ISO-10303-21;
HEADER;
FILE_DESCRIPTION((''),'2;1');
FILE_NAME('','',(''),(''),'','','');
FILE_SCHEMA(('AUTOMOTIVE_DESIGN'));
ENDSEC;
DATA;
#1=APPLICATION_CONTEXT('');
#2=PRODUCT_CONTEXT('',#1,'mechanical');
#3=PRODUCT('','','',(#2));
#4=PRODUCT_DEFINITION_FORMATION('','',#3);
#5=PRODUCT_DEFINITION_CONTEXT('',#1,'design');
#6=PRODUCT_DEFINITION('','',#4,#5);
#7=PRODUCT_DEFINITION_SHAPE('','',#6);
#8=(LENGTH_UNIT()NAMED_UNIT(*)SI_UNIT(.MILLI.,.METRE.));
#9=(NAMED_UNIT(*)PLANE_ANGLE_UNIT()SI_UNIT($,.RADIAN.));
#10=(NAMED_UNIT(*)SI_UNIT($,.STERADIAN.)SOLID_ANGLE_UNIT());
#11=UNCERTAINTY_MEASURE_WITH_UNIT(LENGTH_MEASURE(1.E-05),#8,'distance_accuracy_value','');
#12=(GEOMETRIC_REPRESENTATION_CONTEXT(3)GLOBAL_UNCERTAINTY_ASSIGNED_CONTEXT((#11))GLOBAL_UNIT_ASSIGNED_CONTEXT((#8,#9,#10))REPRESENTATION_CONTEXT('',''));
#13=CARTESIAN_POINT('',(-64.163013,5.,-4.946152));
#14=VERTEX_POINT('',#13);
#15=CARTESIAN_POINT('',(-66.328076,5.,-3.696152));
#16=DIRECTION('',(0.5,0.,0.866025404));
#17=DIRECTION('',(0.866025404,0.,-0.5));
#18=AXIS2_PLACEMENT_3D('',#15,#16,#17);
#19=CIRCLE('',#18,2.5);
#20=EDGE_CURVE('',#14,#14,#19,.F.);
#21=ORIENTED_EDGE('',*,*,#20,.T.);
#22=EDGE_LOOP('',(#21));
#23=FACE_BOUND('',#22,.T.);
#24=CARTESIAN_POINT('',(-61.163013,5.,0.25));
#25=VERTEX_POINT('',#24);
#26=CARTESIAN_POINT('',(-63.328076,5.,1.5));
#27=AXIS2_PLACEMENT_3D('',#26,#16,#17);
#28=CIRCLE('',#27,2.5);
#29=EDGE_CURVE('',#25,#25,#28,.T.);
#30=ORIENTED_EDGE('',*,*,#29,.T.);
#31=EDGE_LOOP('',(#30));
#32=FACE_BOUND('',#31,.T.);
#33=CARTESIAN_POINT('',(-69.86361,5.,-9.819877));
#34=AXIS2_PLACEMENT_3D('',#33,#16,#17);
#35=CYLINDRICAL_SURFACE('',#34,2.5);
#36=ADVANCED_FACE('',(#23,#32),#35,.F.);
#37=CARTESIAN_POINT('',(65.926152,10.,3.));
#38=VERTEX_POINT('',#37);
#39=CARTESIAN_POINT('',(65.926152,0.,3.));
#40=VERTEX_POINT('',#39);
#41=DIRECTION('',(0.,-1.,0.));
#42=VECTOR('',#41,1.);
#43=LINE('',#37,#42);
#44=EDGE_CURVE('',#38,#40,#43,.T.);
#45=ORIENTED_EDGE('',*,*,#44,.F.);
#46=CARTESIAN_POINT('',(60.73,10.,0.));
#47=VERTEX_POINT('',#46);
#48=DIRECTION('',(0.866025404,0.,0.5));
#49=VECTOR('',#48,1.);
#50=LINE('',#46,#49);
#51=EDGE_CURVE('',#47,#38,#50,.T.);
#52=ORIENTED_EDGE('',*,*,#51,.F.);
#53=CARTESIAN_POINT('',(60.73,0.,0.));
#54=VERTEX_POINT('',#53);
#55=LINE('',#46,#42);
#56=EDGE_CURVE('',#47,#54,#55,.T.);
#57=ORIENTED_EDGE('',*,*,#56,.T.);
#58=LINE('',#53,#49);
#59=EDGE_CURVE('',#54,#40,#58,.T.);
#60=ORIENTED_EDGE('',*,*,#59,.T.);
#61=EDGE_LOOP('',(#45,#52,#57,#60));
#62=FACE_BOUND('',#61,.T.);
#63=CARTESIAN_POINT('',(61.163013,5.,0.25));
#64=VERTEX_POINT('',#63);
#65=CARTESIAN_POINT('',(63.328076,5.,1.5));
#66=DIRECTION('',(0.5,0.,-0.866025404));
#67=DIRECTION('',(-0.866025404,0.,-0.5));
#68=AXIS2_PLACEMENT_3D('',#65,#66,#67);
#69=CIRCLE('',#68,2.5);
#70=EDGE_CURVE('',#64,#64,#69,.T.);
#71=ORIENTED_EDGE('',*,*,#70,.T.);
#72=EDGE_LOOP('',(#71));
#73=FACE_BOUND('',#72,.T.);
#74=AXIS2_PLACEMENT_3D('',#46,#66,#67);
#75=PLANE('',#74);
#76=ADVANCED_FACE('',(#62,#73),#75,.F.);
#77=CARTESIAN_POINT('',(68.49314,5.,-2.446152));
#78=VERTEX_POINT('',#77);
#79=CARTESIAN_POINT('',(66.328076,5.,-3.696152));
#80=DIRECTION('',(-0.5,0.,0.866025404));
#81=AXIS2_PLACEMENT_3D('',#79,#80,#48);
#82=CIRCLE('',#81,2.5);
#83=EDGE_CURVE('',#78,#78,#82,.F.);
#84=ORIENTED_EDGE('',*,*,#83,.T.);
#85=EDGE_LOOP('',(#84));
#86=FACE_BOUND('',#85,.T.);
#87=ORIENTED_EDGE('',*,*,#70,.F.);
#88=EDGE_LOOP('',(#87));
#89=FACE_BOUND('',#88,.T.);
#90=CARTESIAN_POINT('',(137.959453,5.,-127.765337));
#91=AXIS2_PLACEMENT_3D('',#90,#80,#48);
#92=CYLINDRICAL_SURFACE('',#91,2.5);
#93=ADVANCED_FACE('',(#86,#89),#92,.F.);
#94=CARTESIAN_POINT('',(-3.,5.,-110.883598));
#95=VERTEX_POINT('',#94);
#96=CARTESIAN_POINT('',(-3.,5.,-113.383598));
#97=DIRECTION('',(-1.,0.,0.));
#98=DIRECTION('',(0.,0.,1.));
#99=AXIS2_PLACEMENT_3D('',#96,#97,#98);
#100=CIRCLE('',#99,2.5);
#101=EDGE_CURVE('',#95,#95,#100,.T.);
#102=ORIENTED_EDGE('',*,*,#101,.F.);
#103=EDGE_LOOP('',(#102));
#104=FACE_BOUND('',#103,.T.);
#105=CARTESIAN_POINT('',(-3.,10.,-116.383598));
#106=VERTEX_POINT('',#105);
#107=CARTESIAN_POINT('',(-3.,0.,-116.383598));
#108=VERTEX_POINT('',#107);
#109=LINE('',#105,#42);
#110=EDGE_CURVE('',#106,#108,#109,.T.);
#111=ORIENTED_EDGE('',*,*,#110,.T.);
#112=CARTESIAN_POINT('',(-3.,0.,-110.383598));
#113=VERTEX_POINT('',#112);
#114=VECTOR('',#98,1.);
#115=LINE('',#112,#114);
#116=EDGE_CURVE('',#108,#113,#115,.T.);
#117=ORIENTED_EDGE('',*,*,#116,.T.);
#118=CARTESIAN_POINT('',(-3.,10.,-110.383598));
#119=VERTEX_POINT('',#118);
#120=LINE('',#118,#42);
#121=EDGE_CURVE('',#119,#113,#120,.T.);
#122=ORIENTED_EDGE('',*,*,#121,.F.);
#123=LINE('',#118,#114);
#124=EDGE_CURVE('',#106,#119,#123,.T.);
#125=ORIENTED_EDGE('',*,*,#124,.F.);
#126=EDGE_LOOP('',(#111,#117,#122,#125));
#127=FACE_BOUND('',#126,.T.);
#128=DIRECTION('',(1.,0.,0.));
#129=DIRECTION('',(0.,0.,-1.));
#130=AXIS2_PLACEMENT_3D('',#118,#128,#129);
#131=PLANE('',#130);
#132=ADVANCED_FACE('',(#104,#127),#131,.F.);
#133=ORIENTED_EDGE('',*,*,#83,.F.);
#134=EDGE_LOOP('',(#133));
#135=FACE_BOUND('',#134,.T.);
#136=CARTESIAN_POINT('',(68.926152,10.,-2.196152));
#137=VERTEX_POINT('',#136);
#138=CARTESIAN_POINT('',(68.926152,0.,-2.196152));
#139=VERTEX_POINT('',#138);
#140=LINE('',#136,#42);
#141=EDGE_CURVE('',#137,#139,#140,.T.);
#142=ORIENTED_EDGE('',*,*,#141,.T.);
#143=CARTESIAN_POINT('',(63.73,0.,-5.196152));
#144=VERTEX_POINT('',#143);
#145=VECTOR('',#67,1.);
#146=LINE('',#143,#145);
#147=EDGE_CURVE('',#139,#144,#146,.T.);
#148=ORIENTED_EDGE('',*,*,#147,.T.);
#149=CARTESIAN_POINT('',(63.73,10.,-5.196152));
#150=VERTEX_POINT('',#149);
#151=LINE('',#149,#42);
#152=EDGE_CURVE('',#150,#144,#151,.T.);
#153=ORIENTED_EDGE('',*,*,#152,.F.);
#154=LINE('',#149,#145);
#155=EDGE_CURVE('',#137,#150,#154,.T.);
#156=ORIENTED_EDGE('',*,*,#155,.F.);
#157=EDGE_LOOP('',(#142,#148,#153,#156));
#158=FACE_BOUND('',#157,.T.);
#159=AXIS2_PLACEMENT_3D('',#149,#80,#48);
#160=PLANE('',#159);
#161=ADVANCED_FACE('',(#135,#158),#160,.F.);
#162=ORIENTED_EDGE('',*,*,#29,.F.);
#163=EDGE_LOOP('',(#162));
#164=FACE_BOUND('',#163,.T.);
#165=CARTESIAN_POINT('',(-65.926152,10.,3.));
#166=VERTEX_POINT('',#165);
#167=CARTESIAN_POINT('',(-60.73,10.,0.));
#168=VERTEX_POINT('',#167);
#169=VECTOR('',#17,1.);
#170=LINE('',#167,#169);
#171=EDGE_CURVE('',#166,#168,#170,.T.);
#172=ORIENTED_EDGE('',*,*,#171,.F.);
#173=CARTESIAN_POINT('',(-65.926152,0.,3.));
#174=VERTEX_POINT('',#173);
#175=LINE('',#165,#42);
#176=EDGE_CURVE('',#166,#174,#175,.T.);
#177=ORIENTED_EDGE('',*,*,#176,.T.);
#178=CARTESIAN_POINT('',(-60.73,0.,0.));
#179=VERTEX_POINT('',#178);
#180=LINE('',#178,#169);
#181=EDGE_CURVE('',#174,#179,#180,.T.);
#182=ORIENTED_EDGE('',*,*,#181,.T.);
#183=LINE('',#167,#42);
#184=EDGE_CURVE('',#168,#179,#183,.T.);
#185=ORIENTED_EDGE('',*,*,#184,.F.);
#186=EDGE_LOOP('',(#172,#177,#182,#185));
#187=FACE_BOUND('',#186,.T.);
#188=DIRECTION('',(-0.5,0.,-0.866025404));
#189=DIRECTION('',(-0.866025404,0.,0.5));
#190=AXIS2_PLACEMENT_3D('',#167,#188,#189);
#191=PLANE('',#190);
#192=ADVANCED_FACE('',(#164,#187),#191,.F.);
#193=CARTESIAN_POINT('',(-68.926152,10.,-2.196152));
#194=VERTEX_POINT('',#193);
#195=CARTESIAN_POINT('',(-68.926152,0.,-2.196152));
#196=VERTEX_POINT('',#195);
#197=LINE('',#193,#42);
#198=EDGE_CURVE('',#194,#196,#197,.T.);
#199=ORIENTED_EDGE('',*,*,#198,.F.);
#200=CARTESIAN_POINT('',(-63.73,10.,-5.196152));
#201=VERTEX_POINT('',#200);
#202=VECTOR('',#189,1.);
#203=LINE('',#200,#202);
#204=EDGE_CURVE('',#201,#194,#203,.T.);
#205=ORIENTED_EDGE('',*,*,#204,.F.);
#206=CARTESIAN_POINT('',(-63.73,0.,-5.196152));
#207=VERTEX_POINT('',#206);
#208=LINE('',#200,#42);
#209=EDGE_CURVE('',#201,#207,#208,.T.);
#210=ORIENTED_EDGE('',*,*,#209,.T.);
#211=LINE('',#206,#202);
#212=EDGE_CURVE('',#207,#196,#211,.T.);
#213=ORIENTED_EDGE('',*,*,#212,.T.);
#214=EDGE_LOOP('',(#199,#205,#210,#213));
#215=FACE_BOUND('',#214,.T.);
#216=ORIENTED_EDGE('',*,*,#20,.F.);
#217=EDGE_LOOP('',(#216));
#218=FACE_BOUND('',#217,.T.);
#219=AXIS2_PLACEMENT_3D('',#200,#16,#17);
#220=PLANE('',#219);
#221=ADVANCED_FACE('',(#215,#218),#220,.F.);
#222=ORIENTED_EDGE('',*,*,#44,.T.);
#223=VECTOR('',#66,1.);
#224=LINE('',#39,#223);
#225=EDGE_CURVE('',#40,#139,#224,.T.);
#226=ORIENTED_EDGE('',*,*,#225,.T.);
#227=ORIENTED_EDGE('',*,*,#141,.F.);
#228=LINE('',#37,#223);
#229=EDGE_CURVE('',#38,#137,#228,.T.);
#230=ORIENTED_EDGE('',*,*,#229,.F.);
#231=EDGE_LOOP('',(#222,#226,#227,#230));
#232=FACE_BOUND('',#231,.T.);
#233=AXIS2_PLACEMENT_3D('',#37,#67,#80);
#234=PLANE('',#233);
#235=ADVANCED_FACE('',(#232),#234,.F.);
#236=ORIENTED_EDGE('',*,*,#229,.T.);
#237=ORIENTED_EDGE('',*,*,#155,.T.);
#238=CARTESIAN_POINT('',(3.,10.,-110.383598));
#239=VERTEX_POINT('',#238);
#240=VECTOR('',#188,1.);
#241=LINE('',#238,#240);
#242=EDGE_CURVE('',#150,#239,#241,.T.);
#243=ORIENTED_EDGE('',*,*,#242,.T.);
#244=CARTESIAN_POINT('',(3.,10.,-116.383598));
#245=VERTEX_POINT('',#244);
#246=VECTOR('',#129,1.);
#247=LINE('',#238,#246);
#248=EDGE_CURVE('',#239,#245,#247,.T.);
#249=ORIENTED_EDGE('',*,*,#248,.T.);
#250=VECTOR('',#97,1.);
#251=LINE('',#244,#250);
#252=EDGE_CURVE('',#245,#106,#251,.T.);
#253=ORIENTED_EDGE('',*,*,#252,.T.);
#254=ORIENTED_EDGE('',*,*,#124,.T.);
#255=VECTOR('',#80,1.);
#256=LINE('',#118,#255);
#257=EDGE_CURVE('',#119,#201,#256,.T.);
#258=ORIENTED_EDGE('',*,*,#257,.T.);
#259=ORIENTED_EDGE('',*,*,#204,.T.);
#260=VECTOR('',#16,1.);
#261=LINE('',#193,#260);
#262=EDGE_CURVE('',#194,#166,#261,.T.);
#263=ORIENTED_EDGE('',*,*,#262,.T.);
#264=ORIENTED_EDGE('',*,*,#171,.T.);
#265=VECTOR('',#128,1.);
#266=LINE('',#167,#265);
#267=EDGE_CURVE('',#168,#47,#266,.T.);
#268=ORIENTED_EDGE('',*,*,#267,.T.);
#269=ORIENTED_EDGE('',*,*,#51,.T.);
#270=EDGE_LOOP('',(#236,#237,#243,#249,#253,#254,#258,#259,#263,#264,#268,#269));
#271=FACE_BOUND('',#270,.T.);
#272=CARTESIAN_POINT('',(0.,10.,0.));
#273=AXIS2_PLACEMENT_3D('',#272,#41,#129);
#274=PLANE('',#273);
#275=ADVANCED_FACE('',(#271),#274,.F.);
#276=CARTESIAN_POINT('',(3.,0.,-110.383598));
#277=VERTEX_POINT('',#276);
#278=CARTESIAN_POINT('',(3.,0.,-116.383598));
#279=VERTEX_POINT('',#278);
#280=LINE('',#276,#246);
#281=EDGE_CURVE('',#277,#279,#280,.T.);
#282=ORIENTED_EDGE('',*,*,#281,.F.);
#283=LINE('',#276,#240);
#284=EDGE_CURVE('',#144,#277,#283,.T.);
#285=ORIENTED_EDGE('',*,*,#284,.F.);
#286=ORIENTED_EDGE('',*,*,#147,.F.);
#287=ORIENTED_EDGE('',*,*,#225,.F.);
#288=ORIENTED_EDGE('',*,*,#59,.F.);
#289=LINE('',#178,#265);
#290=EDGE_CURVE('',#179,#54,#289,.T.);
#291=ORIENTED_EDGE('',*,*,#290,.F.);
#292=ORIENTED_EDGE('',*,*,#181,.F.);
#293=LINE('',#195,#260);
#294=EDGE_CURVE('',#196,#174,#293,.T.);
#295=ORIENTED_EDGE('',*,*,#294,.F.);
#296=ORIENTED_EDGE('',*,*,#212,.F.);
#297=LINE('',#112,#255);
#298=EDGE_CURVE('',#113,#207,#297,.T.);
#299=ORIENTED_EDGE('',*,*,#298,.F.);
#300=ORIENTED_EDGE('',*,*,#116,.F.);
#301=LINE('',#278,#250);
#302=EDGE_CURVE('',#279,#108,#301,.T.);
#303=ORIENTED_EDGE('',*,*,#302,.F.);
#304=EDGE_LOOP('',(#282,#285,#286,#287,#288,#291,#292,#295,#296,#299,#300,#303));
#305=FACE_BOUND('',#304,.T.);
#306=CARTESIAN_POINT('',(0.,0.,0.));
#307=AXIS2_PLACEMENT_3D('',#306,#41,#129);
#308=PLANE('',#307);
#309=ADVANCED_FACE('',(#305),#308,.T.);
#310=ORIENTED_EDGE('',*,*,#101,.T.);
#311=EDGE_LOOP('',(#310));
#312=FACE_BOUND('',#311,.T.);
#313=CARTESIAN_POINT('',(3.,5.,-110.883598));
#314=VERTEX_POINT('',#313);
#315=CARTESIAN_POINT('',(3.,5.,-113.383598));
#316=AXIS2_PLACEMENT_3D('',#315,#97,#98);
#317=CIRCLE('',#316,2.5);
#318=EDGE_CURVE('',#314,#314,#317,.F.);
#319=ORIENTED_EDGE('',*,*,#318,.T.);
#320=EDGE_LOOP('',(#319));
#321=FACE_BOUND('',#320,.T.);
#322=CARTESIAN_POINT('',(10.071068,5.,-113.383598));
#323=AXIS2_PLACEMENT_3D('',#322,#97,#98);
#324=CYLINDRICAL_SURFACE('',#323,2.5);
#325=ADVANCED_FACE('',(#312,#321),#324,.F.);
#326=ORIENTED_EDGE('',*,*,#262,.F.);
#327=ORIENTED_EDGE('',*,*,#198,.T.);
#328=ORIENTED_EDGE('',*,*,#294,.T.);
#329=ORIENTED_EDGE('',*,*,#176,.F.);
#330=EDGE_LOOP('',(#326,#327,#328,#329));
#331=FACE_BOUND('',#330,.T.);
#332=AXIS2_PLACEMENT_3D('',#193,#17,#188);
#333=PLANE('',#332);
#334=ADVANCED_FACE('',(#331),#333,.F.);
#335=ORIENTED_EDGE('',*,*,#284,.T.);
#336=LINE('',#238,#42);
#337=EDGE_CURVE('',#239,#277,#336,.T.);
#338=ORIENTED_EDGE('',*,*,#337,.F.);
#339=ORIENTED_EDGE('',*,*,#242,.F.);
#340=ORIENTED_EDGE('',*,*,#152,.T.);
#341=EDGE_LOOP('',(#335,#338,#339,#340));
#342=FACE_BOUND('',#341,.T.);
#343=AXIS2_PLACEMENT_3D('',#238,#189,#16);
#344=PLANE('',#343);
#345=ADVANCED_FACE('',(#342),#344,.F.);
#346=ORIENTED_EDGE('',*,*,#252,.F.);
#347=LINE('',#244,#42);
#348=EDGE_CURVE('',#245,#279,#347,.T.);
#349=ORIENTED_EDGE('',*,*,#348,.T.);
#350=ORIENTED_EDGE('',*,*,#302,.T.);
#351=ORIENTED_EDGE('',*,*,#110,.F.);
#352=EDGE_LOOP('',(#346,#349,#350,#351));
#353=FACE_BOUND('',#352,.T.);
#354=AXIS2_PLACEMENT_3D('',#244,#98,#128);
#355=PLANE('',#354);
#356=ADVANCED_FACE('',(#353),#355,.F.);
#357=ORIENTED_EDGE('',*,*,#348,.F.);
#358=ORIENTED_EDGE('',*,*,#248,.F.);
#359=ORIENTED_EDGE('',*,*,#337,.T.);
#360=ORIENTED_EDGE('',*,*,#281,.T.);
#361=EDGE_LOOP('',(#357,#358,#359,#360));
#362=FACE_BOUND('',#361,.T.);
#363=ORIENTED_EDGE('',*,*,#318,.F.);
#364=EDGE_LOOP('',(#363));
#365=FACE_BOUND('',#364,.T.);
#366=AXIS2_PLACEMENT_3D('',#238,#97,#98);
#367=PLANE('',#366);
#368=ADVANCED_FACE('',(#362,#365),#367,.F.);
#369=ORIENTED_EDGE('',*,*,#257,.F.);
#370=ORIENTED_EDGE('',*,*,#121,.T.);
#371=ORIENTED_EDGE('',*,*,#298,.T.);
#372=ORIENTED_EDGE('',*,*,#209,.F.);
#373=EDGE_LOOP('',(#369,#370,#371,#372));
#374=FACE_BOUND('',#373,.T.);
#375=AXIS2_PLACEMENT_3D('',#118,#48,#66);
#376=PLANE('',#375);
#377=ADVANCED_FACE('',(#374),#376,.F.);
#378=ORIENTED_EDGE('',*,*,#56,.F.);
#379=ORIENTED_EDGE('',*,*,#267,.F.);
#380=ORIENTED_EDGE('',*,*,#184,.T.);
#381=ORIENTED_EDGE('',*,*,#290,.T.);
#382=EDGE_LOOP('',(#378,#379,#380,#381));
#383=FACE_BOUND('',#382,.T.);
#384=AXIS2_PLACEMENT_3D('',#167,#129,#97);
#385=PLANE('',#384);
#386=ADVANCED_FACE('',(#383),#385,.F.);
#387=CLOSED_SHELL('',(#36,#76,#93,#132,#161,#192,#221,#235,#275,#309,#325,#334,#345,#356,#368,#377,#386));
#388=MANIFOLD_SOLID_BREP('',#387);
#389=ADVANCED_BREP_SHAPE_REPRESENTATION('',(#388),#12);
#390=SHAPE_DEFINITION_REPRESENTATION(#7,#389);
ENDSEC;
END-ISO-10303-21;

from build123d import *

# Parameters (mm, degrees)
BOSS_EXTRUDE1_DEPTH = 10
SKETCH2_R           = 2.5
CUT_EXTRUDE1_DEPTH  = 134.326025
SKETCH3_R           = 2.5
CUT_EXTRUDE2_DEPTH  = 6


with BuildPart() as part:
    # Sketch1 → Boss-Extrude1 (new body)
    with BuildSketch(Plane(origin=(0, 0, 0), x_dir=(1, 0, 0), z_dir=(0, 1, 0))):
        Polygon((-3, 110.383597966), (-63.73, 5.196152423), (-68.926152423, 2.196152423), (-65.926152423, -3), (-60.73, 0), (60.73, 0), (65.926152423, -3), (68.926152423, 2.196152423), (63.73, 5.196152423), (3, 110.383597966), (3, 116.383597966), (-3, 116.383597966), align=None)
    extrude(amount=BOSS_EXTRUDE1_DEPTH)

    # Sketch2 → Cut-Extrude1 (cut)
    with BuildSketch(Plane(origin=(-15.1825, 0, -26.296861386), x_dir=(0.866025404, 0, -0.5), z_dir=(0.5, 0, 0.866025404))):
        with Locations((-55.593722772, 5)):
            Circle(SKETCH2_R)
    cut_extrude1 = extrude(amount=-CUT_EXTRUDE1_DEPTH, mode=Mode.SUBTRACT)

    # Mirror6: Cut-Extrude1 across plane
    add(cut_extrude1.mirror(Plane.ZY), mode=Mode.SUBTRACT)

    # Sketch3 → Cut-Extrude2 (cut)
    with BuildSketch(Plane.ZY.offset(2.999999999)):
        with Locations((-113.383597966, 5)):
            Circle(SKETCH3_R)
    extrude(amount=-CUT_EXTRUDE2_DEPTH, mode=Mode.SUBTRACT)


solid = part.part
